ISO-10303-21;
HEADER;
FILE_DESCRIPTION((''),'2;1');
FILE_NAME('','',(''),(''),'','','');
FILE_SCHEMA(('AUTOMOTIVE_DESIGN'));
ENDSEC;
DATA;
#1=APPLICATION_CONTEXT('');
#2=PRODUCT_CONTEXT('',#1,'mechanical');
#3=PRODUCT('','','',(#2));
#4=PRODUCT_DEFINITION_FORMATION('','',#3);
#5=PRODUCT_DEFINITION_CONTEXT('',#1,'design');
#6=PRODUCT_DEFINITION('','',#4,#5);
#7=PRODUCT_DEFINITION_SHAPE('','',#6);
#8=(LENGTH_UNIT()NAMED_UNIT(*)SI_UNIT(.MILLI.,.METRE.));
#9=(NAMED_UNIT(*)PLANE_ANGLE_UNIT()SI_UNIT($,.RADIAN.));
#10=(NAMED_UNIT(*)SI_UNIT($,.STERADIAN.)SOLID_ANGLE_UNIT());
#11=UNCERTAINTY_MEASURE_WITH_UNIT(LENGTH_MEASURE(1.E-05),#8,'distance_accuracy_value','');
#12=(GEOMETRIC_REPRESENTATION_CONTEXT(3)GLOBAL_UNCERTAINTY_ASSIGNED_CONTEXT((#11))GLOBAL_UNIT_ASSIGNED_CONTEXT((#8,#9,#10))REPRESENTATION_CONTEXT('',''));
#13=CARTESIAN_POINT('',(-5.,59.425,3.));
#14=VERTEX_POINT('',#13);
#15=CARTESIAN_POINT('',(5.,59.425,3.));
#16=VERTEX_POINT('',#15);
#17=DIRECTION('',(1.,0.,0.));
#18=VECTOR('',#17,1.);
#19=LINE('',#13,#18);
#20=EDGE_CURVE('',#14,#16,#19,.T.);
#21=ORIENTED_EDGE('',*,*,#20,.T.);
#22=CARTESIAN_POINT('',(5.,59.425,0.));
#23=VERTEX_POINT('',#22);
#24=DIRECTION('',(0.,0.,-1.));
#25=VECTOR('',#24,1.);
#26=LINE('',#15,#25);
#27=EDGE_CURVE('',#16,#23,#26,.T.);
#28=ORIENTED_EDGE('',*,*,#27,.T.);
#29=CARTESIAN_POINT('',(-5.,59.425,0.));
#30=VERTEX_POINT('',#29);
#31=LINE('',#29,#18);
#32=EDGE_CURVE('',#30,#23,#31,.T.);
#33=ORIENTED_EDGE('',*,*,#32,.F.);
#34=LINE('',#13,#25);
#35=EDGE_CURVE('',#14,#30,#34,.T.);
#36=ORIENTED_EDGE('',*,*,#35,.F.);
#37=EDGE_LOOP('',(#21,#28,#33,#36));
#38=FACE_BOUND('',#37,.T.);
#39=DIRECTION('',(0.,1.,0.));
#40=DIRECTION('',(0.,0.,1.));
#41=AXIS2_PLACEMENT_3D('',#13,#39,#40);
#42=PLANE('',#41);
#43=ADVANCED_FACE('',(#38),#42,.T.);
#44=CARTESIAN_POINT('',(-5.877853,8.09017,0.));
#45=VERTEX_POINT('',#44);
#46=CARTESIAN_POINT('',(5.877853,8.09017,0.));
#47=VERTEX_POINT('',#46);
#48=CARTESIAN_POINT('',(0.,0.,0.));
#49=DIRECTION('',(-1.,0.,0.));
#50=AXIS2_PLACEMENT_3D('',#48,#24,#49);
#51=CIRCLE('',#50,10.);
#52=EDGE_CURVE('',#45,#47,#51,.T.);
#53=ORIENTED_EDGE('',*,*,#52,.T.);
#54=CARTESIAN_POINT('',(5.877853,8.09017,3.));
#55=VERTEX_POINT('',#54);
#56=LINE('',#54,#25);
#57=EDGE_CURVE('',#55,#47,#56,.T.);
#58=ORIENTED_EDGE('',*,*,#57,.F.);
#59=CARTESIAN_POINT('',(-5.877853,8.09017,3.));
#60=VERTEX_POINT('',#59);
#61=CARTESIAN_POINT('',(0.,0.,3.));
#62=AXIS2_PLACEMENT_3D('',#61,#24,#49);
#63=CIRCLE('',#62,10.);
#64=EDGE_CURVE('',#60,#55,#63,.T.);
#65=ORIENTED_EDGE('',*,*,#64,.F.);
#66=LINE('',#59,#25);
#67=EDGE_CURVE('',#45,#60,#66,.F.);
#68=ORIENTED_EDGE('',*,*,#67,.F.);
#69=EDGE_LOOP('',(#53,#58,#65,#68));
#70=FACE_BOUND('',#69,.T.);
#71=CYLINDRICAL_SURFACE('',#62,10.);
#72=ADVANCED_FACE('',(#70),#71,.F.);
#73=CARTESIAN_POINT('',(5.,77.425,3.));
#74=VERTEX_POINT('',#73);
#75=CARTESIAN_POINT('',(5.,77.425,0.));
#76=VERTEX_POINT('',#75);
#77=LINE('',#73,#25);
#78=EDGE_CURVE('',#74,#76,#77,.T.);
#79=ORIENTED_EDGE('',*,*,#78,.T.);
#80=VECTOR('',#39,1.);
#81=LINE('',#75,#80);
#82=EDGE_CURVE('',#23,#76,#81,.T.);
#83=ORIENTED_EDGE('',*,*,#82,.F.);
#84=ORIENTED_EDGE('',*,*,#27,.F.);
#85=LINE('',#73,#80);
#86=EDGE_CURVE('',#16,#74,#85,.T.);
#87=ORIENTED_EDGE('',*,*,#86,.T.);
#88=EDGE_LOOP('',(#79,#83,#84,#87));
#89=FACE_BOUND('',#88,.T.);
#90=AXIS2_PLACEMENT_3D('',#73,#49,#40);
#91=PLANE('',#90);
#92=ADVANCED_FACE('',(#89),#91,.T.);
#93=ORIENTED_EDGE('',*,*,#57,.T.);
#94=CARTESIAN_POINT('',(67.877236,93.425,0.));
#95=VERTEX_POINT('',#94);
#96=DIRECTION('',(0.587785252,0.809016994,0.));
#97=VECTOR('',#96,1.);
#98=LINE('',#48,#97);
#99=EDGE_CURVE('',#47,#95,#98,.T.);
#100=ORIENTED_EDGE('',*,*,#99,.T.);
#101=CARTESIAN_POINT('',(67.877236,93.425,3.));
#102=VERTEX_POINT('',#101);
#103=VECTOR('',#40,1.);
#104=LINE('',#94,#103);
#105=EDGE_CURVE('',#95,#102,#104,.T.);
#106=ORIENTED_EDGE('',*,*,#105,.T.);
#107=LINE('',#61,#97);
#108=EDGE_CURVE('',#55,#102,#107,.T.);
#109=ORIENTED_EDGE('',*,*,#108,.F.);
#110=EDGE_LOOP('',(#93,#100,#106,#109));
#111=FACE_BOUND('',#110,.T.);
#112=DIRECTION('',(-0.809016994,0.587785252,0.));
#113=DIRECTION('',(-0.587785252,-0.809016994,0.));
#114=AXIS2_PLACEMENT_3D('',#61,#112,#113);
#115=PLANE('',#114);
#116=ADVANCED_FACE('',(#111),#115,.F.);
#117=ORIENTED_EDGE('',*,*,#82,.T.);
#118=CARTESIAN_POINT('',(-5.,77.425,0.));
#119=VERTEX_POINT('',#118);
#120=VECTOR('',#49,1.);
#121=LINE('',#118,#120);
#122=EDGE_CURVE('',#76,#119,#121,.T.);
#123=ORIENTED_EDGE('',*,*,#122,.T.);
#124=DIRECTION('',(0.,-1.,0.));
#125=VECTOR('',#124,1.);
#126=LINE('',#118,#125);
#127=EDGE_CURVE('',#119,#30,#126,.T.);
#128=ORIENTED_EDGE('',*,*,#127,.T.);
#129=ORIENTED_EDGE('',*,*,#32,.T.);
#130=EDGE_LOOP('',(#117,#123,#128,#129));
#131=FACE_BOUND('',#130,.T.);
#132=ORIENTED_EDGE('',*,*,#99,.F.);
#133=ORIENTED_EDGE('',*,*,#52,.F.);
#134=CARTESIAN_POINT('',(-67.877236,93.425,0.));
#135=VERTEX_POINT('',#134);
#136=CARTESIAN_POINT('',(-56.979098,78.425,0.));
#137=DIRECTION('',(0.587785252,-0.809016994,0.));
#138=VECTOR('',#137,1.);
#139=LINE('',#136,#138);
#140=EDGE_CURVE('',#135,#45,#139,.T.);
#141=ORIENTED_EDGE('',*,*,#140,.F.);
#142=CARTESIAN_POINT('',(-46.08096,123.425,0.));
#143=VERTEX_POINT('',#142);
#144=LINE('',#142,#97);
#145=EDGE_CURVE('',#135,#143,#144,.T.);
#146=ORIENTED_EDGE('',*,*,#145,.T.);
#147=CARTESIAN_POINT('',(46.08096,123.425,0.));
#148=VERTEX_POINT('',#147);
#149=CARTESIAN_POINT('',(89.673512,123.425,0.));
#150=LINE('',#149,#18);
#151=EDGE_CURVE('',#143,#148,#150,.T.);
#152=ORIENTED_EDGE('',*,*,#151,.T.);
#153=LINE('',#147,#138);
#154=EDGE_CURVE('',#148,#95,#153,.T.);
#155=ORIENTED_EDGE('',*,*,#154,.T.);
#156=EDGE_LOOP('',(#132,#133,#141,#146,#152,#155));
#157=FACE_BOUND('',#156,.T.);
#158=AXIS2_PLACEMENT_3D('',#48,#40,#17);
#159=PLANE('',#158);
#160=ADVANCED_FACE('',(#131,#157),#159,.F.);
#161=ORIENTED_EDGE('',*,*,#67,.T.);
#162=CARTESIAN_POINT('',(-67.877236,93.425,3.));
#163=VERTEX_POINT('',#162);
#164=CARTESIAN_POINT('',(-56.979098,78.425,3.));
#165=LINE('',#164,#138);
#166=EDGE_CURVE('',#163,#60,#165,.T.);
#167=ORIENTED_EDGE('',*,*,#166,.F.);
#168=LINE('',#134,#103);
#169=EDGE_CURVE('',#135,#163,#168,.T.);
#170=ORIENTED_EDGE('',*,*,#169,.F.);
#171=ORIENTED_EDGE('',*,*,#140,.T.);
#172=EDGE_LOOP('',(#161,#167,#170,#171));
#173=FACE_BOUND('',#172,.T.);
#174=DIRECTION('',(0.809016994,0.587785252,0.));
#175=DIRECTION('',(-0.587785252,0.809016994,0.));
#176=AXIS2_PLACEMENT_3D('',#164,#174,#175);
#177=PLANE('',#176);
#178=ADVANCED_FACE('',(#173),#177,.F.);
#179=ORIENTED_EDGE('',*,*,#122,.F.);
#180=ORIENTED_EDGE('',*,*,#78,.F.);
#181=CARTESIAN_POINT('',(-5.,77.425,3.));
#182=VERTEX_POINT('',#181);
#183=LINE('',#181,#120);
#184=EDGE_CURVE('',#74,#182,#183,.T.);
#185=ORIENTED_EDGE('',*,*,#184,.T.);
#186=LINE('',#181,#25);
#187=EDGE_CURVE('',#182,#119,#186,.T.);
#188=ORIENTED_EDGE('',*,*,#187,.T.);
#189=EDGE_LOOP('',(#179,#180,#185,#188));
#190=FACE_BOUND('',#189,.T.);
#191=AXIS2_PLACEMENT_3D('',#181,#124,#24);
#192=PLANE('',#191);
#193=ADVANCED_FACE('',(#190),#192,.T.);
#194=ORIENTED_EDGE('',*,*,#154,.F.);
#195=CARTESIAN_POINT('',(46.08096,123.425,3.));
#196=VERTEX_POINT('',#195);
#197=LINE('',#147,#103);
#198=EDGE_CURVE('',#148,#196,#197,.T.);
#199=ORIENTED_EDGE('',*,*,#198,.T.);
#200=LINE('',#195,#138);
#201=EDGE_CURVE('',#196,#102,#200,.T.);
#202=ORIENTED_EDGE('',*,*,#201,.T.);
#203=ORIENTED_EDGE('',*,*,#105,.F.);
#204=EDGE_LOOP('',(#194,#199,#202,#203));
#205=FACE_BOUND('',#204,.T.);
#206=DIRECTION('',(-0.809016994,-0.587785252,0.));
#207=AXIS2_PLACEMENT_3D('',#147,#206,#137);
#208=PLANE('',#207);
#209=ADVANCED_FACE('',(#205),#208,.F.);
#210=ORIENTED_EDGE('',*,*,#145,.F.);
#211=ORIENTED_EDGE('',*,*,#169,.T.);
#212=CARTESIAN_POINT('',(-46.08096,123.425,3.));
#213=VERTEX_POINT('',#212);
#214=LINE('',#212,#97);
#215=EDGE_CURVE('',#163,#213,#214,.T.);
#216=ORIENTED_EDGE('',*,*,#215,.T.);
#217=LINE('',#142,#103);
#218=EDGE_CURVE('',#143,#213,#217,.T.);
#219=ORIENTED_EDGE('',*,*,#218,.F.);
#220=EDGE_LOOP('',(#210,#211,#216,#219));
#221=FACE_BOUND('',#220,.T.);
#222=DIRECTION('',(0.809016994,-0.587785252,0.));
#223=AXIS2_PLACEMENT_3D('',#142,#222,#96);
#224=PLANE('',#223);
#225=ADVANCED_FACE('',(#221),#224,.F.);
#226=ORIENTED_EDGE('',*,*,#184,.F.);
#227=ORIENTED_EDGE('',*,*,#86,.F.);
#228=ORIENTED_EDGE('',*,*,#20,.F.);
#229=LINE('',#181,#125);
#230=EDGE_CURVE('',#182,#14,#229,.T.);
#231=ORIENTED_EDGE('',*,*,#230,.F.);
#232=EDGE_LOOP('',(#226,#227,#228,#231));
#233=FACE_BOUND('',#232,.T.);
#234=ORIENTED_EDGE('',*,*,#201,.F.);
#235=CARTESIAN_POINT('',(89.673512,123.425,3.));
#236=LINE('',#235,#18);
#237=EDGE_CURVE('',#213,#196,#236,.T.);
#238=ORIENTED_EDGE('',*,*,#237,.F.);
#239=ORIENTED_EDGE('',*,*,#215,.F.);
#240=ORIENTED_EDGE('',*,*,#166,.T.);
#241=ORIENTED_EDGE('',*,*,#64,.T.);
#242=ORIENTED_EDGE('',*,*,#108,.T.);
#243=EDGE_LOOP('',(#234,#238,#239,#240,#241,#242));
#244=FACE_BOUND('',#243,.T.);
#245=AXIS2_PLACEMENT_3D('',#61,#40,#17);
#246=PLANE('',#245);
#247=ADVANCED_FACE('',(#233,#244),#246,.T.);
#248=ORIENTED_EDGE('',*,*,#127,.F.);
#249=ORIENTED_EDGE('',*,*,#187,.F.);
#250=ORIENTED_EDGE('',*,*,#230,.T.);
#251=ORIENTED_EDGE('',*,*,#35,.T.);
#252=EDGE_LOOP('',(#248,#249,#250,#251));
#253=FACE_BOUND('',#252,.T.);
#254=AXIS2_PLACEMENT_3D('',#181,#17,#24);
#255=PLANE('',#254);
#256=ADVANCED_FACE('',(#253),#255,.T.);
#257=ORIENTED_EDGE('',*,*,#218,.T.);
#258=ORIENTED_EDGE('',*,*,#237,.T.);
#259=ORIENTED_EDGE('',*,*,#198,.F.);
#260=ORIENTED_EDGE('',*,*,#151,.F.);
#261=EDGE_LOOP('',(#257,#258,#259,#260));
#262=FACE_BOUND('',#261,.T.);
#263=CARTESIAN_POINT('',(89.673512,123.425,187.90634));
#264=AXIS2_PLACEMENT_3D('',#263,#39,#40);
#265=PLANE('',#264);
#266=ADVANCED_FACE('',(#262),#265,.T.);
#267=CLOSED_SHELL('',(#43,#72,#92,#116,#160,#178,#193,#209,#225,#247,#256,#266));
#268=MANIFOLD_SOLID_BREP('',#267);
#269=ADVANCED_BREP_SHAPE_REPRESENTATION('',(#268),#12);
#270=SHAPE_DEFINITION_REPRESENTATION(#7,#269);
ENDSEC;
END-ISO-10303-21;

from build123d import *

# Parameters (mm, degrees)
SKETCH3_W           = 10
SKETCH3_H           = 18
BOSS_EXTRUDE1_DEPTH = 3
BOSS_EXTRUDE2_DEPTH = 3
CUT_EXTRUDE1_DEPTH  = 4
SKETCH6_R           = 10
CUT_EXTRUDE2_DEPTH  = 4


with BuildPart() as part:
    # Sketch3 → Boss-Extrude1 (new body)
    with BuildSketch(Plane.XY):
        Polygon((0, 0), (56.979097759, 78.425), (-56.979097759, 78.425), align=None)
        with Locations((0, 68.425)):
            Rectangle(SKETCH3_W, SKETCH3_H, mode=Mode.SUBTRACT)
    extrude(amount=BOSS_EXTRUDE1_DEPTH)

    # Sketch4 → Boss-Extrude2 (add)
    with BuildSketch(Plane(origin=(0, 0, 0), x_dir=(-1, 0, 0), z_dir=(0, 0, -1))):
        Polygon((-56.979097759, 78.425), (-89.673511519, 123.425), (89.673511519, 123.425), (56.979097759, 78.425), align=None)
    extrude(amount=-BOSS_EXTRUDE2_DEPTH)

    # Sketch5 → Cut-Extrude1 (cut, through all)
    with BuildSketch(Plane.XY.offset(3)):
        Polygon((-89.673511519, 123.425), (-46.080959839, 123.425), (-67.877235679, 93.425), align=None)
        Polygon((89.673511519, 123.425), (46.080959839, 123.425), (67.877235679, 93.425), align=None)
    extrude(amount=-CUT_EXTRUDE1_DEPTH, mode=Mode.SUBTRACT)

    # Sketch6 → Cut-Extrude2 (cut, through all)
    with BuildSketch(Plane(origin=(0, 0, 0), x_dir=(-1, 0, 0), z_dir=(0, 0, -1))):
        Circle(SKETCH6_R)
    extrude(amount=-CUT_EXTRUDE2_DEPTH, mode=Mode.SUBTRACT)


solid = part.part
